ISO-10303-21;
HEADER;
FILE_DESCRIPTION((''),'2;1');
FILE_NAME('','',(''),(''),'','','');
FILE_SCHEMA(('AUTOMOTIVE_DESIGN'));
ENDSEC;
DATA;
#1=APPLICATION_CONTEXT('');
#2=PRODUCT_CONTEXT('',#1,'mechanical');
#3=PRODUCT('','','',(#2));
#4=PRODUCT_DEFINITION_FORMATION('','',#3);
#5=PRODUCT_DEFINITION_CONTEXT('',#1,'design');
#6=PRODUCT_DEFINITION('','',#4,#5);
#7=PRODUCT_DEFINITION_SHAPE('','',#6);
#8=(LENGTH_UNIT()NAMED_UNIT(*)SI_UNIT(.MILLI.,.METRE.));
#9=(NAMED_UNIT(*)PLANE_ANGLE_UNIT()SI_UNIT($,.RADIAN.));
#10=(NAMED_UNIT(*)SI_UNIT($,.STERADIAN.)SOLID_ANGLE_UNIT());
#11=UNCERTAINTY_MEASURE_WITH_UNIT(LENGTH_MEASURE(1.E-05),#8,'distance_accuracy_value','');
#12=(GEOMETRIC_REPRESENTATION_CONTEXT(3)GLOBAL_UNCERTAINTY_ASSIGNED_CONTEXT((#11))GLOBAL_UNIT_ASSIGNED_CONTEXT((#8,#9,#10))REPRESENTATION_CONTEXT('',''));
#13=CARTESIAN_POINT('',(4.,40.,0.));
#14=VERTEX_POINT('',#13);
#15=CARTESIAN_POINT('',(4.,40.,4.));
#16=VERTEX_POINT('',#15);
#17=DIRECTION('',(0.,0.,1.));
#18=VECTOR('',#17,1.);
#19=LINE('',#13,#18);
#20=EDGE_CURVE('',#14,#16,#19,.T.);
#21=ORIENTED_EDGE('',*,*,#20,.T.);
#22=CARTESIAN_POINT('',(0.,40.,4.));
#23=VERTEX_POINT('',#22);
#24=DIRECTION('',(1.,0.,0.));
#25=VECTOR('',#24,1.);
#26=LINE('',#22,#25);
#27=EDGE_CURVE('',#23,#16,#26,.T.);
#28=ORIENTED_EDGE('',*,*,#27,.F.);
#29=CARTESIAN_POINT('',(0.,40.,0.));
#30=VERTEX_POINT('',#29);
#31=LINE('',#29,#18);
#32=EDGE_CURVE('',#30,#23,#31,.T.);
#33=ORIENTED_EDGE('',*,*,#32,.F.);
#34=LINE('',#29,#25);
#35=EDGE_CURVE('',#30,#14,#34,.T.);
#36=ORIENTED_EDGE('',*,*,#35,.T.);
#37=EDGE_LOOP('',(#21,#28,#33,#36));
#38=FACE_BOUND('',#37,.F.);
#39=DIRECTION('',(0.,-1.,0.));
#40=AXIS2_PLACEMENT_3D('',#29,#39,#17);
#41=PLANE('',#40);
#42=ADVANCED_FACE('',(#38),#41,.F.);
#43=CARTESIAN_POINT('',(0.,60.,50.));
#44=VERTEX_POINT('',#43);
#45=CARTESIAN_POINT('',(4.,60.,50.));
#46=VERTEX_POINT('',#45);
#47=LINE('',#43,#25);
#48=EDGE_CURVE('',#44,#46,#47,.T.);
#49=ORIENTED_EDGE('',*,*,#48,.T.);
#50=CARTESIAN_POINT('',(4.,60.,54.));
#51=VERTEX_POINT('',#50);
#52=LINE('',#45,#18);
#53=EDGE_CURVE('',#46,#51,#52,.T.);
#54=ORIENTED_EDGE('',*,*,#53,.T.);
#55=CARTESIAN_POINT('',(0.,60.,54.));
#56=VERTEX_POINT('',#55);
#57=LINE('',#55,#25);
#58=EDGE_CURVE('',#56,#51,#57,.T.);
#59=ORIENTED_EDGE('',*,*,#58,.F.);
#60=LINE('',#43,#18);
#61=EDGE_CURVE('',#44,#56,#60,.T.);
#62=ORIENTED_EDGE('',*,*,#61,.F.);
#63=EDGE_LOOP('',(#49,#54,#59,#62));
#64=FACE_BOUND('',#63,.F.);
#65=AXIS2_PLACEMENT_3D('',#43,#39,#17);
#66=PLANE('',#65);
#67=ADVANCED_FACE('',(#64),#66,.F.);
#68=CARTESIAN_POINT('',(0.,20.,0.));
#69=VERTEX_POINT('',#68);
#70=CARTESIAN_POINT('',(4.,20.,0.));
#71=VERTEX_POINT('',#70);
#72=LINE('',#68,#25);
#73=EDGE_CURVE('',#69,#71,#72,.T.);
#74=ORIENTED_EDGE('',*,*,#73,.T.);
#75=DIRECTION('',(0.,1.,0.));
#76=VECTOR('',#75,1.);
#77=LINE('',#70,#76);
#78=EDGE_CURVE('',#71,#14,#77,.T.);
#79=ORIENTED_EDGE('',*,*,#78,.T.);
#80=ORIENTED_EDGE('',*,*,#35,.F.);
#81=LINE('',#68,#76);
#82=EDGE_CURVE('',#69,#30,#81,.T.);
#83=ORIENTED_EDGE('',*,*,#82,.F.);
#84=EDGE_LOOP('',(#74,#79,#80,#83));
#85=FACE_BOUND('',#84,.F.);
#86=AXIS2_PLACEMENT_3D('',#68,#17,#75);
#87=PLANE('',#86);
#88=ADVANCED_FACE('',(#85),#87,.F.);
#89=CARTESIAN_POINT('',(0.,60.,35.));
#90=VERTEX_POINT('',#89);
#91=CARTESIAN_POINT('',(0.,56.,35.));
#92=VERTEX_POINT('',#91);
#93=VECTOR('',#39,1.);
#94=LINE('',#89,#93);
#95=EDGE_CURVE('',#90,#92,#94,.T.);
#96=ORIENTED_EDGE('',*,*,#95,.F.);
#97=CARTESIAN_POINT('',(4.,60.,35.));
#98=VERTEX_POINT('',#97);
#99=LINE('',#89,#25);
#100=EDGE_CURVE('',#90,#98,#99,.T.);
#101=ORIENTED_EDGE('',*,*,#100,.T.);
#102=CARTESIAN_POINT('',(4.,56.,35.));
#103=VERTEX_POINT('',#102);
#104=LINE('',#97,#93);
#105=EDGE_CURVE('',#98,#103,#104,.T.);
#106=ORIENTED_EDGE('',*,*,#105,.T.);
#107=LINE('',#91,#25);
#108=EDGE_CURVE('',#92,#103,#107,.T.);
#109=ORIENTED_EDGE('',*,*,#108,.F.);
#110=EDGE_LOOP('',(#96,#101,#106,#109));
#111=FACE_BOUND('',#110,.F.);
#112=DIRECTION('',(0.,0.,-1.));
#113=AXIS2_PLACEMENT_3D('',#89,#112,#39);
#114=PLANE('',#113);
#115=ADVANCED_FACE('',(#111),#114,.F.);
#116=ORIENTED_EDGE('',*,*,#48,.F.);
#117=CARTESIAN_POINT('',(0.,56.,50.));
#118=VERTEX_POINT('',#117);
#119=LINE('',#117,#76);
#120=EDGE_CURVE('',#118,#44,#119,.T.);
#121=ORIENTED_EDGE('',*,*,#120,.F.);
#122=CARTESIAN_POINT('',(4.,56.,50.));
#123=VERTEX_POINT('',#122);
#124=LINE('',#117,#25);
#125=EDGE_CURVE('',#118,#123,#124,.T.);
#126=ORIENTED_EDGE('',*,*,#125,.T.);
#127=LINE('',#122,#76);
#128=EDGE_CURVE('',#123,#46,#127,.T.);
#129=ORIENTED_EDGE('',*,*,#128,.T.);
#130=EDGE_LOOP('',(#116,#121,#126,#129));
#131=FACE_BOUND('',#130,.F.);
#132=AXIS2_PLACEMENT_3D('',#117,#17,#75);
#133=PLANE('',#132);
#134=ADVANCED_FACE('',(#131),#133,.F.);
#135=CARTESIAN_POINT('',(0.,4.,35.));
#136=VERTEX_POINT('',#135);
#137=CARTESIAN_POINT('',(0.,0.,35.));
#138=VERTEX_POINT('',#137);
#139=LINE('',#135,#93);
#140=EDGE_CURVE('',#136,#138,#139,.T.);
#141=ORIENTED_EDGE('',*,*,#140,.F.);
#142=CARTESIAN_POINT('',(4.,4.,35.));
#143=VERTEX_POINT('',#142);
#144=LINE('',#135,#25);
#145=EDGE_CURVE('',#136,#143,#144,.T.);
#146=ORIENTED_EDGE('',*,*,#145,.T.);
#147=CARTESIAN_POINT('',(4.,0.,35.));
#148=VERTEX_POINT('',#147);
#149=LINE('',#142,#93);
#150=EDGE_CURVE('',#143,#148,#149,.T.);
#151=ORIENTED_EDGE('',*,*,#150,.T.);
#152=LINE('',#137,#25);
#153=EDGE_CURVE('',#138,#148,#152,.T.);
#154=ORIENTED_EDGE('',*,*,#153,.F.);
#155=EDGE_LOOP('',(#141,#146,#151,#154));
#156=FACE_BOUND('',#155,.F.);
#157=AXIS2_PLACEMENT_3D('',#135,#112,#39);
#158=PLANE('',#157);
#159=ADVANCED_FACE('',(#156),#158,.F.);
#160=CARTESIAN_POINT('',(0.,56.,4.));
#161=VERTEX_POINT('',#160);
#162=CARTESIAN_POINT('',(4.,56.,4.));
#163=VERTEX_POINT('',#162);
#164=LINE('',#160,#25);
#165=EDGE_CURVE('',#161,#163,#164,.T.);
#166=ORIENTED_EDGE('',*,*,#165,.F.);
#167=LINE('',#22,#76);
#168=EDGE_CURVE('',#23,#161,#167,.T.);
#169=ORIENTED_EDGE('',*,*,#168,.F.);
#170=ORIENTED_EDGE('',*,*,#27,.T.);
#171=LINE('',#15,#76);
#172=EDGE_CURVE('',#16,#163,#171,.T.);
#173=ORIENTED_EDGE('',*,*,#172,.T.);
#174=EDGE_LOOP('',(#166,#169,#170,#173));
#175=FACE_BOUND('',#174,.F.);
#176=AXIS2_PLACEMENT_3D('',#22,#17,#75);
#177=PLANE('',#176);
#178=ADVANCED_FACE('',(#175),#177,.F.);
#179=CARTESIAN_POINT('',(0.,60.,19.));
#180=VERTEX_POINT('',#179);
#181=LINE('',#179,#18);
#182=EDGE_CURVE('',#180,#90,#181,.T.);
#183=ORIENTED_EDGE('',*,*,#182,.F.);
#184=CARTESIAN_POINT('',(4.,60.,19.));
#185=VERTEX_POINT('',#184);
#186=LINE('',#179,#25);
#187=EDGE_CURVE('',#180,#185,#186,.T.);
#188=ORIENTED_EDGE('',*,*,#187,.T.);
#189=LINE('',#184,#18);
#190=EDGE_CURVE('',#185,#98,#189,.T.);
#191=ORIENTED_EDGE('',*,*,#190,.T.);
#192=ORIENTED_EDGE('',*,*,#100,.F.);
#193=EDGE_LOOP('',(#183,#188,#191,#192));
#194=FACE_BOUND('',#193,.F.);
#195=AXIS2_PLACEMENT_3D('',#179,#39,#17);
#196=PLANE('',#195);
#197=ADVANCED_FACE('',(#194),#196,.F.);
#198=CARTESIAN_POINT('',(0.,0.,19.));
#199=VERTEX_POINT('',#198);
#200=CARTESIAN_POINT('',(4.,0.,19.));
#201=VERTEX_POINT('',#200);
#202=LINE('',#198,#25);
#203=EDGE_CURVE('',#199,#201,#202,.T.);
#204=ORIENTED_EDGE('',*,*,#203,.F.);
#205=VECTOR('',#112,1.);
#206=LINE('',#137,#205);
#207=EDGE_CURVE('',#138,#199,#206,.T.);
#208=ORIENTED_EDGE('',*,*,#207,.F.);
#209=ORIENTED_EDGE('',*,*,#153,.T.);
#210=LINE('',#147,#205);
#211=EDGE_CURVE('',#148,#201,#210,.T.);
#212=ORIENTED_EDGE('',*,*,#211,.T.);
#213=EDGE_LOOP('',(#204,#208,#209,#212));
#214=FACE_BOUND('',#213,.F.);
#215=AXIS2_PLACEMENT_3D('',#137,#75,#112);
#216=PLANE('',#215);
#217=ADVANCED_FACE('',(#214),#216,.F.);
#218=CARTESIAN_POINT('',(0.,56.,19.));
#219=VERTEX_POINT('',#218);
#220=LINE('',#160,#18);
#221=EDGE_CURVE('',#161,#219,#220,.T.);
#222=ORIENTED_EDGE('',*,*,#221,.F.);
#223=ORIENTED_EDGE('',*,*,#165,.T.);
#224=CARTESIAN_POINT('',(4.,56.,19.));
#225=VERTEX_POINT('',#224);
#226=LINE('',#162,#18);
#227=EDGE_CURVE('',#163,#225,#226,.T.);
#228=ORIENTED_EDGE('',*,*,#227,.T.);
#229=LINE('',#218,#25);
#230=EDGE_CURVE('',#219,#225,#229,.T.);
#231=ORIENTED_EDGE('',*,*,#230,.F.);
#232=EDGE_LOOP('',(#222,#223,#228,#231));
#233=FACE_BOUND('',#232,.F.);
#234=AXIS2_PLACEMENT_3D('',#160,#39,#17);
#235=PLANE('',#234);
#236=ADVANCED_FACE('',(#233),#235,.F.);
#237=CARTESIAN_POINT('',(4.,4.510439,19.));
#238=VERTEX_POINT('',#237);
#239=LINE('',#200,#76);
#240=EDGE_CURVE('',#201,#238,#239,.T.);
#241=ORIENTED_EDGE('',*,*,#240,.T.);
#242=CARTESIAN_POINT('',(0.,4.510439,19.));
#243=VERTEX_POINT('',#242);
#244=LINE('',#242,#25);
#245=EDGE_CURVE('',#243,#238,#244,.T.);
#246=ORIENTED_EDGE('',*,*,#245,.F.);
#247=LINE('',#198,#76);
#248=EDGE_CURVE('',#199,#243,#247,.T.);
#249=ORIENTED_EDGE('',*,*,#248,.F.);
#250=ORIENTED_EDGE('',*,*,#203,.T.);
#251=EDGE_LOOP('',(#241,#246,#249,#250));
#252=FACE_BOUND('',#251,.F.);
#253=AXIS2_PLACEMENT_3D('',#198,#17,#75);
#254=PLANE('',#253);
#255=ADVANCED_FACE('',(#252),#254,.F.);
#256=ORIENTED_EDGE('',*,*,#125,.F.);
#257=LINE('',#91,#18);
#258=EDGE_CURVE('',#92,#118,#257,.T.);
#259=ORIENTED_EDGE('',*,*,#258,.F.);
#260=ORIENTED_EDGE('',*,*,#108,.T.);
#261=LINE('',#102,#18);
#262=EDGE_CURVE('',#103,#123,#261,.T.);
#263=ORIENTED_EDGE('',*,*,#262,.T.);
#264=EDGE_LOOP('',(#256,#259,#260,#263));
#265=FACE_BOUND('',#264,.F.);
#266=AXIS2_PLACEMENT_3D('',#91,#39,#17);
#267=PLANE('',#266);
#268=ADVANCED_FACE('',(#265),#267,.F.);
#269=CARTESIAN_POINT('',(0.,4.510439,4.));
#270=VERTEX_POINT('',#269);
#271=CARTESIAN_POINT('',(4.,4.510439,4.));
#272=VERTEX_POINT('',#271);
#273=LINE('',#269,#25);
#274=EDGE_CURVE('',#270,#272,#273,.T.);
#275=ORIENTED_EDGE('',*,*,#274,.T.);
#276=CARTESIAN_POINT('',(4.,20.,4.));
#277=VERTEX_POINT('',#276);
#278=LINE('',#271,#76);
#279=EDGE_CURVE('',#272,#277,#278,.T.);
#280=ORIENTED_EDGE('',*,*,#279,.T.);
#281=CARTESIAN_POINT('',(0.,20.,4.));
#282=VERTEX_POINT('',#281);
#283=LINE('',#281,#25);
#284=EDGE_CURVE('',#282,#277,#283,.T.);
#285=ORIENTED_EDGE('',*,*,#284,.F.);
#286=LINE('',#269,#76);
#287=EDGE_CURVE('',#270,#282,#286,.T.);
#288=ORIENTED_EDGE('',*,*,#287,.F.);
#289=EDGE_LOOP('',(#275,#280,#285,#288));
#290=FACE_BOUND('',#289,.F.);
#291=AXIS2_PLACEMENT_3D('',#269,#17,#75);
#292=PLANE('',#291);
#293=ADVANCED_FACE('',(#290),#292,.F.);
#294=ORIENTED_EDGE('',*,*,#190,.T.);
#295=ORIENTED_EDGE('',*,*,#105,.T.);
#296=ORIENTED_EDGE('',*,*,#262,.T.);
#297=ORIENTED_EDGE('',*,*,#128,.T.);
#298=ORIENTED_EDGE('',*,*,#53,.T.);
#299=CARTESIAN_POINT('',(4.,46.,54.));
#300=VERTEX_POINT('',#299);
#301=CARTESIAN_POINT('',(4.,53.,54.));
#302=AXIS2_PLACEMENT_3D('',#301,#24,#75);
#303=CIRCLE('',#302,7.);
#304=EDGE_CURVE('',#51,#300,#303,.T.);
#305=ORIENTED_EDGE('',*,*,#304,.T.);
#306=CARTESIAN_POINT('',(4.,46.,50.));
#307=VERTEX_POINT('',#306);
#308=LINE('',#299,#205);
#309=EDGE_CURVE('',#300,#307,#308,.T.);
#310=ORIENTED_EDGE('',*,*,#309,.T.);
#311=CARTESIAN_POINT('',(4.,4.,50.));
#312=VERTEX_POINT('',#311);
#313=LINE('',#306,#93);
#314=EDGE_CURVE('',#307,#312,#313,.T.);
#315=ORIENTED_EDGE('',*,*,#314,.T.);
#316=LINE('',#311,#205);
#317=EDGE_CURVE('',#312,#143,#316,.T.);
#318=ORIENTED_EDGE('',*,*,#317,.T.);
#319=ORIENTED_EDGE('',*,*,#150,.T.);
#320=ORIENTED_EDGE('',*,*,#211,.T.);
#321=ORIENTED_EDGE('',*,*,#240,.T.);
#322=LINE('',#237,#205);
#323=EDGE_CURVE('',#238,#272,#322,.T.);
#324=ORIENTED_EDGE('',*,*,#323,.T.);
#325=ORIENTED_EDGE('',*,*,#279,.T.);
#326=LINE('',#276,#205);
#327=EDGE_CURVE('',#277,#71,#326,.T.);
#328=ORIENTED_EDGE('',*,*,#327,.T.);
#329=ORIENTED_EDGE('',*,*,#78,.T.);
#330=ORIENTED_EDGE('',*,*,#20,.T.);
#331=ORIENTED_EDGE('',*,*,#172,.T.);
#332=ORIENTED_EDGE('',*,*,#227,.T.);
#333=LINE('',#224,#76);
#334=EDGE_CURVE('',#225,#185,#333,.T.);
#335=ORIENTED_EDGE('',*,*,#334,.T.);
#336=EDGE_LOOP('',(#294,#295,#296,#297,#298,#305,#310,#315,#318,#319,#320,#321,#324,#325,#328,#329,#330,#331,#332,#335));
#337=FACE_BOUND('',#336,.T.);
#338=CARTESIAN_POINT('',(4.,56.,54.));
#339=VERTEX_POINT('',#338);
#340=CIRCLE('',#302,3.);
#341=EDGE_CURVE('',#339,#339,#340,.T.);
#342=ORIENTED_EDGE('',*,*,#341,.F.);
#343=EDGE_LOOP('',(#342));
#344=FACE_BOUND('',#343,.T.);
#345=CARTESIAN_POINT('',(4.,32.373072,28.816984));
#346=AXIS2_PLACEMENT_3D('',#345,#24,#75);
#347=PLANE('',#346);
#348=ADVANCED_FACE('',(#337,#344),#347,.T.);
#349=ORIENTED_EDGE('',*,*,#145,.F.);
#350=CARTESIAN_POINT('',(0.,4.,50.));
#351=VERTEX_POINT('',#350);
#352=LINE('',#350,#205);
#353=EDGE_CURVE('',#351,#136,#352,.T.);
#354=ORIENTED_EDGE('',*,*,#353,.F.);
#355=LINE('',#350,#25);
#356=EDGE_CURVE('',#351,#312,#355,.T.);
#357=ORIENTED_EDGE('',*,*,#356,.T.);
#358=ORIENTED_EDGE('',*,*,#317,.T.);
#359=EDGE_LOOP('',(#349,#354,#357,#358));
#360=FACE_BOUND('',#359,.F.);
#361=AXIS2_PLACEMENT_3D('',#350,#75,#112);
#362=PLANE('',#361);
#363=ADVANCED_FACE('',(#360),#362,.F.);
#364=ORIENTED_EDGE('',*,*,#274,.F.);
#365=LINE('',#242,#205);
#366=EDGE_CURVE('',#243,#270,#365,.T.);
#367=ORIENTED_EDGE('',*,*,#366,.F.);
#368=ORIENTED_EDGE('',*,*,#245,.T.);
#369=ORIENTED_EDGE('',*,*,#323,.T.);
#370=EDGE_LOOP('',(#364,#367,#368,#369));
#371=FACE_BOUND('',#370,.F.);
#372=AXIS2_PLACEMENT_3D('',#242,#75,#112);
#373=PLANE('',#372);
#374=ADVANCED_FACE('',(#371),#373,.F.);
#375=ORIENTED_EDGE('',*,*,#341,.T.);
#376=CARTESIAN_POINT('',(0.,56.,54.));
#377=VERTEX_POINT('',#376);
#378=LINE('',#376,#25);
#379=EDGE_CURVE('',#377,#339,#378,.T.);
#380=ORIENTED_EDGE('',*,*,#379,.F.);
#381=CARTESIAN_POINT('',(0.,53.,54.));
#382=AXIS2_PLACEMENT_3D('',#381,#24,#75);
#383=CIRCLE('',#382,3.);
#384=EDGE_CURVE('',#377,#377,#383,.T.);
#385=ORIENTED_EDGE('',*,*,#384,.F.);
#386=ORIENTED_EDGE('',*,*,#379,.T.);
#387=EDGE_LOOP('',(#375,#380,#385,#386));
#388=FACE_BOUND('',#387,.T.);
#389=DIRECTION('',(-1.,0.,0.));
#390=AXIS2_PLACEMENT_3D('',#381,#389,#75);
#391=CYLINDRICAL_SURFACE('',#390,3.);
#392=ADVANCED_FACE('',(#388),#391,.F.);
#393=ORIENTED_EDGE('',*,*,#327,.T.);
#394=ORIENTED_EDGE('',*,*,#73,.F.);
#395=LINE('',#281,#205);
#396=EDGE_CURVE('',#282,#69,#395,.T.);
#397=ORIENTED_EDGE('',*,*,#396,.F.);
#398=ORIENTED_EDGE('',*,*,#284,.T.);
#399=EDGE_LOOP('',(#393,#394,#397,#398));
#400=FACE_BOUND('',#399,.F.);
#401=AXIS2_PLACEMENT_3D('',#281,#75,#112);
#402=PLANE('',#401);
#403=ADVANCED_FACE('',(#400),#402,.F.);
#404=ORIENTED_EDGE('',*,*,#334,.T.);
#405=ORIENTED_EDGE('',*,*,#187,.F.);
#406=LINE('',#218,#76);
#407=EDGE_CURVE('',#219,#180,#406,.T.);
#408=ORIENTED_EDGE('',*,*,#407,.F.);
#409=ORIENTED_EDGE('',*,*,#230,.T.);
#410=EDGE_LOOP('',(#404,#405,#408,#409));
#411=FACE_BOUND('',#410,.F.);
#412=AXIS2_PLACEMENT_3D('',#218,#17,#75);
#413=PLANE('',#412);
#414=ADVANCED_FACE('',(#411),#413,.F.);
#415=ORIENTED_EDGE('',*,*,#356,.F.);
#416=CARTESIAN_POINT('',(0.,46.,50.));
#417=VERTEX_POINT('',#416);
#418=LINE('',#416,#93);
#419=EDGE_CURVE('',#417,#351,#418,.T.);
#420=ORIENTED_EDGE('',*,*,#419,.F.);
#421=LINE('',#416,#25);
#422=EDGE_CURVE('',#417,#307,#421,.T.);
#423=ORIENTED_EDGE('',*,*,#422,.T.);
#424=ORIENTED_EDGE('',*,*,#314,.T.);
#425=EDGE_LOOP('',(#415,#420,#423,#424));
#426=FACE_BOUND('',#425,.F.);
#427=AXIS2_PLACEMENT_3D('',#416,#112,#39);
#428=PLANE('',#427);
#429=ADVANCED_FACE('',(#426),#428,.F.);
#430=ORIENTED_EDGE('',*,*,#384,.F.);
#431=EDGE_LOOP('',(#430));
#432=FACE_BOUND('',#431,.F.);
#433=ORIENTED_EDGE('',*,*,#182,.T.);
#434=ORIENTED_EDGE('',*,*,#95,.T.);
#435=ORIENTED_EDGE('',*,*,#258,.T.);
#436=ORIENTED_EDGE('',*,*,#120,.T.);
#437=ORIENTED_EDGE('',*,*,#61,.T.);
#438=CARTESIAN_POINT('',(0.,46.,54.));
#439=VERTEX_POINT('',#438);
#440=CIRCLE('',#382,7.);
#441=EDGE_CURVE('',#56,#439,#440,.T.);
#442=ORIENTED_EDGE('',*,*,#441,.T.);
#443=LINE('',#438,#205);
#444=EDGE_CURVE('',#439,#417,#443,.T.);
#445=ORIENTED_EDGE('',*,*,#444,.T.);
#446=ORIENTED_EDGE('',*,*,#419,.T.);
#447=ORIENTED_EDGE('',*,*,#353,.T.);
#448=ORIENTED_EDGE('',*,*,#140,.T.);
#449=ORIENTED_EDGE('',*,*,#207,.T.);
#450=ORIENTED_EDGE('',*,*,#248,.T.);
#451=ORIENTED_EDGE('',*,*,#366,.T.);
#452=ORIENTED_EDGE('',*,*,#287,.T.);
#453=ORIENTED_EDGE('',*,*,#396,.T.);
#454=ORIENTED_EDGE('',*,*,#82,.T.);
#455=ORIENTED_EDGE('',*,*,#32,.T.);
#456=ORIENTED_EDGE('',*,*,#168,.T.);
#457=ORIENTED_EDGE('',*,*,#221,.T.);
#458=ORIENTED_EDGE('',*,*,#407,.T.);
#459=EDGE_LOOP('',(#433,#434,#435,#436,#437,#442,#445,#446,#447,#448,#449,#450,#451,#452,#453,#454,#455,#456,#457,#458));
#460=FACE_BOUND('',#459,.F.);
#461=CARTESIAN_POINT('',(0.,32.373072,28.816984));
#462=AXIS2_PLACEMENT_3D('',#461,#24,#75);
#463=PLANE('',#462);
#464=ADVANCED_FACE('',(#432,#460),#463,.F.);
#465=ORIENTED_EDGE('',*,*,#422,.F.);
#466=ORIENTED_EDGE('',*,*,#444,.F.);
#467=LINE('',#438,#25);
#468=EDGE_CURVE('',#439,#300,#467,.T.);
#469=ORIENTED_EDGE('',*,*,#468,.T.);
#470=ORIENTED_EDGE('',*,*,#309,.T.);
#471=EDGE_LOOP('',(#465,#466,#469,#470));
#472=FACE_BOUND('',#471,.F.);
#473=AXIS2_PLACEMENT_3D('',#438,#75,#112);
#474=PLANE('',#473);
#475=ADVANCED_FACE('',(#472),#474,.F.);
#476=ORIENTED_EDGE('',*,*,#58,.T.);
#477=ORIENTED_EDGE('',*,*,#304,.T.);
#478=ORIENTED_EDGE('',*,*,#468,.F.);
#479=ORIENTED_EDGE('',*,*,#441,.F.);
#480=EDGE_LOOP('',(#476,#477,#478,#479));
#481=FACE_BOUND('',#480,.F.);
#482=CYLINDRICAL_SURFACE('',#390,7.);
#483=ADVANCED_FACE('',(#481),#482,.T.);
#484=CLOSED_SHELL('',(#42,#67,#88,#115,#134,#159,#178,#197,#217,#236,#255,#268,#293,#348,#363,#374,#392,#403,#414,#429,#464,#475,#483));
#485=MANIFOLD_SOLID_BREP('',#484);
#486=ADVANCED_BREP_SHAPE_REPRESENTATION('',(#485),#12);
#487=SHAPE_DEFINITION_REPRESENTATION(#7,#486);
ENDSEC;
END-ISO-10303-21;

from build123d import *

# Parameters (mm, degrees)
F0_R     = 3
F1_DEPTH = 4


with BuildPart() as f1:
    # F0 (on Right) → F1 (new body)
    with BuildSketch(Plane.YZ):
        with BuildLine():
            Line((20, 4), (20, 0))
            Line((20, 0), (40, 0))
            Line((40, 0), (40, 4))
            Line((40, 4), (56, 4))
            Line((56, 4), (56, 19))
            Line((56, 19), (60, 19))
            Line((60, 19), (60, 35))
            Line((60, 35), (56, 35))
            Line((56, 35), (56, 50))
            Line((56, 50), (60, 50))
            Line((60, 50), (60, 54))
            ThreePointArc((60, 54), (53, 61), (46, 54))
            Line((46, 54), (46, 50))
            Line((46, 50), (4, 50))
            Line((4, 50), (4, 35))
            Line((4, 35), (0, 35))
            Line((0, 35), (0, 19))
            Line((0, 19), (4.510439, 19))
            Line((4.510439, 19), (4.510439, 4))
            Line((4.510439, 4), (20, 4))
        make_face()
        with Locations((53, 54)):
            Circle(F0_R, mode=Mode.SUBTRACT)
    extrude(amount=F1_DEPTH)


solid = f1.part
